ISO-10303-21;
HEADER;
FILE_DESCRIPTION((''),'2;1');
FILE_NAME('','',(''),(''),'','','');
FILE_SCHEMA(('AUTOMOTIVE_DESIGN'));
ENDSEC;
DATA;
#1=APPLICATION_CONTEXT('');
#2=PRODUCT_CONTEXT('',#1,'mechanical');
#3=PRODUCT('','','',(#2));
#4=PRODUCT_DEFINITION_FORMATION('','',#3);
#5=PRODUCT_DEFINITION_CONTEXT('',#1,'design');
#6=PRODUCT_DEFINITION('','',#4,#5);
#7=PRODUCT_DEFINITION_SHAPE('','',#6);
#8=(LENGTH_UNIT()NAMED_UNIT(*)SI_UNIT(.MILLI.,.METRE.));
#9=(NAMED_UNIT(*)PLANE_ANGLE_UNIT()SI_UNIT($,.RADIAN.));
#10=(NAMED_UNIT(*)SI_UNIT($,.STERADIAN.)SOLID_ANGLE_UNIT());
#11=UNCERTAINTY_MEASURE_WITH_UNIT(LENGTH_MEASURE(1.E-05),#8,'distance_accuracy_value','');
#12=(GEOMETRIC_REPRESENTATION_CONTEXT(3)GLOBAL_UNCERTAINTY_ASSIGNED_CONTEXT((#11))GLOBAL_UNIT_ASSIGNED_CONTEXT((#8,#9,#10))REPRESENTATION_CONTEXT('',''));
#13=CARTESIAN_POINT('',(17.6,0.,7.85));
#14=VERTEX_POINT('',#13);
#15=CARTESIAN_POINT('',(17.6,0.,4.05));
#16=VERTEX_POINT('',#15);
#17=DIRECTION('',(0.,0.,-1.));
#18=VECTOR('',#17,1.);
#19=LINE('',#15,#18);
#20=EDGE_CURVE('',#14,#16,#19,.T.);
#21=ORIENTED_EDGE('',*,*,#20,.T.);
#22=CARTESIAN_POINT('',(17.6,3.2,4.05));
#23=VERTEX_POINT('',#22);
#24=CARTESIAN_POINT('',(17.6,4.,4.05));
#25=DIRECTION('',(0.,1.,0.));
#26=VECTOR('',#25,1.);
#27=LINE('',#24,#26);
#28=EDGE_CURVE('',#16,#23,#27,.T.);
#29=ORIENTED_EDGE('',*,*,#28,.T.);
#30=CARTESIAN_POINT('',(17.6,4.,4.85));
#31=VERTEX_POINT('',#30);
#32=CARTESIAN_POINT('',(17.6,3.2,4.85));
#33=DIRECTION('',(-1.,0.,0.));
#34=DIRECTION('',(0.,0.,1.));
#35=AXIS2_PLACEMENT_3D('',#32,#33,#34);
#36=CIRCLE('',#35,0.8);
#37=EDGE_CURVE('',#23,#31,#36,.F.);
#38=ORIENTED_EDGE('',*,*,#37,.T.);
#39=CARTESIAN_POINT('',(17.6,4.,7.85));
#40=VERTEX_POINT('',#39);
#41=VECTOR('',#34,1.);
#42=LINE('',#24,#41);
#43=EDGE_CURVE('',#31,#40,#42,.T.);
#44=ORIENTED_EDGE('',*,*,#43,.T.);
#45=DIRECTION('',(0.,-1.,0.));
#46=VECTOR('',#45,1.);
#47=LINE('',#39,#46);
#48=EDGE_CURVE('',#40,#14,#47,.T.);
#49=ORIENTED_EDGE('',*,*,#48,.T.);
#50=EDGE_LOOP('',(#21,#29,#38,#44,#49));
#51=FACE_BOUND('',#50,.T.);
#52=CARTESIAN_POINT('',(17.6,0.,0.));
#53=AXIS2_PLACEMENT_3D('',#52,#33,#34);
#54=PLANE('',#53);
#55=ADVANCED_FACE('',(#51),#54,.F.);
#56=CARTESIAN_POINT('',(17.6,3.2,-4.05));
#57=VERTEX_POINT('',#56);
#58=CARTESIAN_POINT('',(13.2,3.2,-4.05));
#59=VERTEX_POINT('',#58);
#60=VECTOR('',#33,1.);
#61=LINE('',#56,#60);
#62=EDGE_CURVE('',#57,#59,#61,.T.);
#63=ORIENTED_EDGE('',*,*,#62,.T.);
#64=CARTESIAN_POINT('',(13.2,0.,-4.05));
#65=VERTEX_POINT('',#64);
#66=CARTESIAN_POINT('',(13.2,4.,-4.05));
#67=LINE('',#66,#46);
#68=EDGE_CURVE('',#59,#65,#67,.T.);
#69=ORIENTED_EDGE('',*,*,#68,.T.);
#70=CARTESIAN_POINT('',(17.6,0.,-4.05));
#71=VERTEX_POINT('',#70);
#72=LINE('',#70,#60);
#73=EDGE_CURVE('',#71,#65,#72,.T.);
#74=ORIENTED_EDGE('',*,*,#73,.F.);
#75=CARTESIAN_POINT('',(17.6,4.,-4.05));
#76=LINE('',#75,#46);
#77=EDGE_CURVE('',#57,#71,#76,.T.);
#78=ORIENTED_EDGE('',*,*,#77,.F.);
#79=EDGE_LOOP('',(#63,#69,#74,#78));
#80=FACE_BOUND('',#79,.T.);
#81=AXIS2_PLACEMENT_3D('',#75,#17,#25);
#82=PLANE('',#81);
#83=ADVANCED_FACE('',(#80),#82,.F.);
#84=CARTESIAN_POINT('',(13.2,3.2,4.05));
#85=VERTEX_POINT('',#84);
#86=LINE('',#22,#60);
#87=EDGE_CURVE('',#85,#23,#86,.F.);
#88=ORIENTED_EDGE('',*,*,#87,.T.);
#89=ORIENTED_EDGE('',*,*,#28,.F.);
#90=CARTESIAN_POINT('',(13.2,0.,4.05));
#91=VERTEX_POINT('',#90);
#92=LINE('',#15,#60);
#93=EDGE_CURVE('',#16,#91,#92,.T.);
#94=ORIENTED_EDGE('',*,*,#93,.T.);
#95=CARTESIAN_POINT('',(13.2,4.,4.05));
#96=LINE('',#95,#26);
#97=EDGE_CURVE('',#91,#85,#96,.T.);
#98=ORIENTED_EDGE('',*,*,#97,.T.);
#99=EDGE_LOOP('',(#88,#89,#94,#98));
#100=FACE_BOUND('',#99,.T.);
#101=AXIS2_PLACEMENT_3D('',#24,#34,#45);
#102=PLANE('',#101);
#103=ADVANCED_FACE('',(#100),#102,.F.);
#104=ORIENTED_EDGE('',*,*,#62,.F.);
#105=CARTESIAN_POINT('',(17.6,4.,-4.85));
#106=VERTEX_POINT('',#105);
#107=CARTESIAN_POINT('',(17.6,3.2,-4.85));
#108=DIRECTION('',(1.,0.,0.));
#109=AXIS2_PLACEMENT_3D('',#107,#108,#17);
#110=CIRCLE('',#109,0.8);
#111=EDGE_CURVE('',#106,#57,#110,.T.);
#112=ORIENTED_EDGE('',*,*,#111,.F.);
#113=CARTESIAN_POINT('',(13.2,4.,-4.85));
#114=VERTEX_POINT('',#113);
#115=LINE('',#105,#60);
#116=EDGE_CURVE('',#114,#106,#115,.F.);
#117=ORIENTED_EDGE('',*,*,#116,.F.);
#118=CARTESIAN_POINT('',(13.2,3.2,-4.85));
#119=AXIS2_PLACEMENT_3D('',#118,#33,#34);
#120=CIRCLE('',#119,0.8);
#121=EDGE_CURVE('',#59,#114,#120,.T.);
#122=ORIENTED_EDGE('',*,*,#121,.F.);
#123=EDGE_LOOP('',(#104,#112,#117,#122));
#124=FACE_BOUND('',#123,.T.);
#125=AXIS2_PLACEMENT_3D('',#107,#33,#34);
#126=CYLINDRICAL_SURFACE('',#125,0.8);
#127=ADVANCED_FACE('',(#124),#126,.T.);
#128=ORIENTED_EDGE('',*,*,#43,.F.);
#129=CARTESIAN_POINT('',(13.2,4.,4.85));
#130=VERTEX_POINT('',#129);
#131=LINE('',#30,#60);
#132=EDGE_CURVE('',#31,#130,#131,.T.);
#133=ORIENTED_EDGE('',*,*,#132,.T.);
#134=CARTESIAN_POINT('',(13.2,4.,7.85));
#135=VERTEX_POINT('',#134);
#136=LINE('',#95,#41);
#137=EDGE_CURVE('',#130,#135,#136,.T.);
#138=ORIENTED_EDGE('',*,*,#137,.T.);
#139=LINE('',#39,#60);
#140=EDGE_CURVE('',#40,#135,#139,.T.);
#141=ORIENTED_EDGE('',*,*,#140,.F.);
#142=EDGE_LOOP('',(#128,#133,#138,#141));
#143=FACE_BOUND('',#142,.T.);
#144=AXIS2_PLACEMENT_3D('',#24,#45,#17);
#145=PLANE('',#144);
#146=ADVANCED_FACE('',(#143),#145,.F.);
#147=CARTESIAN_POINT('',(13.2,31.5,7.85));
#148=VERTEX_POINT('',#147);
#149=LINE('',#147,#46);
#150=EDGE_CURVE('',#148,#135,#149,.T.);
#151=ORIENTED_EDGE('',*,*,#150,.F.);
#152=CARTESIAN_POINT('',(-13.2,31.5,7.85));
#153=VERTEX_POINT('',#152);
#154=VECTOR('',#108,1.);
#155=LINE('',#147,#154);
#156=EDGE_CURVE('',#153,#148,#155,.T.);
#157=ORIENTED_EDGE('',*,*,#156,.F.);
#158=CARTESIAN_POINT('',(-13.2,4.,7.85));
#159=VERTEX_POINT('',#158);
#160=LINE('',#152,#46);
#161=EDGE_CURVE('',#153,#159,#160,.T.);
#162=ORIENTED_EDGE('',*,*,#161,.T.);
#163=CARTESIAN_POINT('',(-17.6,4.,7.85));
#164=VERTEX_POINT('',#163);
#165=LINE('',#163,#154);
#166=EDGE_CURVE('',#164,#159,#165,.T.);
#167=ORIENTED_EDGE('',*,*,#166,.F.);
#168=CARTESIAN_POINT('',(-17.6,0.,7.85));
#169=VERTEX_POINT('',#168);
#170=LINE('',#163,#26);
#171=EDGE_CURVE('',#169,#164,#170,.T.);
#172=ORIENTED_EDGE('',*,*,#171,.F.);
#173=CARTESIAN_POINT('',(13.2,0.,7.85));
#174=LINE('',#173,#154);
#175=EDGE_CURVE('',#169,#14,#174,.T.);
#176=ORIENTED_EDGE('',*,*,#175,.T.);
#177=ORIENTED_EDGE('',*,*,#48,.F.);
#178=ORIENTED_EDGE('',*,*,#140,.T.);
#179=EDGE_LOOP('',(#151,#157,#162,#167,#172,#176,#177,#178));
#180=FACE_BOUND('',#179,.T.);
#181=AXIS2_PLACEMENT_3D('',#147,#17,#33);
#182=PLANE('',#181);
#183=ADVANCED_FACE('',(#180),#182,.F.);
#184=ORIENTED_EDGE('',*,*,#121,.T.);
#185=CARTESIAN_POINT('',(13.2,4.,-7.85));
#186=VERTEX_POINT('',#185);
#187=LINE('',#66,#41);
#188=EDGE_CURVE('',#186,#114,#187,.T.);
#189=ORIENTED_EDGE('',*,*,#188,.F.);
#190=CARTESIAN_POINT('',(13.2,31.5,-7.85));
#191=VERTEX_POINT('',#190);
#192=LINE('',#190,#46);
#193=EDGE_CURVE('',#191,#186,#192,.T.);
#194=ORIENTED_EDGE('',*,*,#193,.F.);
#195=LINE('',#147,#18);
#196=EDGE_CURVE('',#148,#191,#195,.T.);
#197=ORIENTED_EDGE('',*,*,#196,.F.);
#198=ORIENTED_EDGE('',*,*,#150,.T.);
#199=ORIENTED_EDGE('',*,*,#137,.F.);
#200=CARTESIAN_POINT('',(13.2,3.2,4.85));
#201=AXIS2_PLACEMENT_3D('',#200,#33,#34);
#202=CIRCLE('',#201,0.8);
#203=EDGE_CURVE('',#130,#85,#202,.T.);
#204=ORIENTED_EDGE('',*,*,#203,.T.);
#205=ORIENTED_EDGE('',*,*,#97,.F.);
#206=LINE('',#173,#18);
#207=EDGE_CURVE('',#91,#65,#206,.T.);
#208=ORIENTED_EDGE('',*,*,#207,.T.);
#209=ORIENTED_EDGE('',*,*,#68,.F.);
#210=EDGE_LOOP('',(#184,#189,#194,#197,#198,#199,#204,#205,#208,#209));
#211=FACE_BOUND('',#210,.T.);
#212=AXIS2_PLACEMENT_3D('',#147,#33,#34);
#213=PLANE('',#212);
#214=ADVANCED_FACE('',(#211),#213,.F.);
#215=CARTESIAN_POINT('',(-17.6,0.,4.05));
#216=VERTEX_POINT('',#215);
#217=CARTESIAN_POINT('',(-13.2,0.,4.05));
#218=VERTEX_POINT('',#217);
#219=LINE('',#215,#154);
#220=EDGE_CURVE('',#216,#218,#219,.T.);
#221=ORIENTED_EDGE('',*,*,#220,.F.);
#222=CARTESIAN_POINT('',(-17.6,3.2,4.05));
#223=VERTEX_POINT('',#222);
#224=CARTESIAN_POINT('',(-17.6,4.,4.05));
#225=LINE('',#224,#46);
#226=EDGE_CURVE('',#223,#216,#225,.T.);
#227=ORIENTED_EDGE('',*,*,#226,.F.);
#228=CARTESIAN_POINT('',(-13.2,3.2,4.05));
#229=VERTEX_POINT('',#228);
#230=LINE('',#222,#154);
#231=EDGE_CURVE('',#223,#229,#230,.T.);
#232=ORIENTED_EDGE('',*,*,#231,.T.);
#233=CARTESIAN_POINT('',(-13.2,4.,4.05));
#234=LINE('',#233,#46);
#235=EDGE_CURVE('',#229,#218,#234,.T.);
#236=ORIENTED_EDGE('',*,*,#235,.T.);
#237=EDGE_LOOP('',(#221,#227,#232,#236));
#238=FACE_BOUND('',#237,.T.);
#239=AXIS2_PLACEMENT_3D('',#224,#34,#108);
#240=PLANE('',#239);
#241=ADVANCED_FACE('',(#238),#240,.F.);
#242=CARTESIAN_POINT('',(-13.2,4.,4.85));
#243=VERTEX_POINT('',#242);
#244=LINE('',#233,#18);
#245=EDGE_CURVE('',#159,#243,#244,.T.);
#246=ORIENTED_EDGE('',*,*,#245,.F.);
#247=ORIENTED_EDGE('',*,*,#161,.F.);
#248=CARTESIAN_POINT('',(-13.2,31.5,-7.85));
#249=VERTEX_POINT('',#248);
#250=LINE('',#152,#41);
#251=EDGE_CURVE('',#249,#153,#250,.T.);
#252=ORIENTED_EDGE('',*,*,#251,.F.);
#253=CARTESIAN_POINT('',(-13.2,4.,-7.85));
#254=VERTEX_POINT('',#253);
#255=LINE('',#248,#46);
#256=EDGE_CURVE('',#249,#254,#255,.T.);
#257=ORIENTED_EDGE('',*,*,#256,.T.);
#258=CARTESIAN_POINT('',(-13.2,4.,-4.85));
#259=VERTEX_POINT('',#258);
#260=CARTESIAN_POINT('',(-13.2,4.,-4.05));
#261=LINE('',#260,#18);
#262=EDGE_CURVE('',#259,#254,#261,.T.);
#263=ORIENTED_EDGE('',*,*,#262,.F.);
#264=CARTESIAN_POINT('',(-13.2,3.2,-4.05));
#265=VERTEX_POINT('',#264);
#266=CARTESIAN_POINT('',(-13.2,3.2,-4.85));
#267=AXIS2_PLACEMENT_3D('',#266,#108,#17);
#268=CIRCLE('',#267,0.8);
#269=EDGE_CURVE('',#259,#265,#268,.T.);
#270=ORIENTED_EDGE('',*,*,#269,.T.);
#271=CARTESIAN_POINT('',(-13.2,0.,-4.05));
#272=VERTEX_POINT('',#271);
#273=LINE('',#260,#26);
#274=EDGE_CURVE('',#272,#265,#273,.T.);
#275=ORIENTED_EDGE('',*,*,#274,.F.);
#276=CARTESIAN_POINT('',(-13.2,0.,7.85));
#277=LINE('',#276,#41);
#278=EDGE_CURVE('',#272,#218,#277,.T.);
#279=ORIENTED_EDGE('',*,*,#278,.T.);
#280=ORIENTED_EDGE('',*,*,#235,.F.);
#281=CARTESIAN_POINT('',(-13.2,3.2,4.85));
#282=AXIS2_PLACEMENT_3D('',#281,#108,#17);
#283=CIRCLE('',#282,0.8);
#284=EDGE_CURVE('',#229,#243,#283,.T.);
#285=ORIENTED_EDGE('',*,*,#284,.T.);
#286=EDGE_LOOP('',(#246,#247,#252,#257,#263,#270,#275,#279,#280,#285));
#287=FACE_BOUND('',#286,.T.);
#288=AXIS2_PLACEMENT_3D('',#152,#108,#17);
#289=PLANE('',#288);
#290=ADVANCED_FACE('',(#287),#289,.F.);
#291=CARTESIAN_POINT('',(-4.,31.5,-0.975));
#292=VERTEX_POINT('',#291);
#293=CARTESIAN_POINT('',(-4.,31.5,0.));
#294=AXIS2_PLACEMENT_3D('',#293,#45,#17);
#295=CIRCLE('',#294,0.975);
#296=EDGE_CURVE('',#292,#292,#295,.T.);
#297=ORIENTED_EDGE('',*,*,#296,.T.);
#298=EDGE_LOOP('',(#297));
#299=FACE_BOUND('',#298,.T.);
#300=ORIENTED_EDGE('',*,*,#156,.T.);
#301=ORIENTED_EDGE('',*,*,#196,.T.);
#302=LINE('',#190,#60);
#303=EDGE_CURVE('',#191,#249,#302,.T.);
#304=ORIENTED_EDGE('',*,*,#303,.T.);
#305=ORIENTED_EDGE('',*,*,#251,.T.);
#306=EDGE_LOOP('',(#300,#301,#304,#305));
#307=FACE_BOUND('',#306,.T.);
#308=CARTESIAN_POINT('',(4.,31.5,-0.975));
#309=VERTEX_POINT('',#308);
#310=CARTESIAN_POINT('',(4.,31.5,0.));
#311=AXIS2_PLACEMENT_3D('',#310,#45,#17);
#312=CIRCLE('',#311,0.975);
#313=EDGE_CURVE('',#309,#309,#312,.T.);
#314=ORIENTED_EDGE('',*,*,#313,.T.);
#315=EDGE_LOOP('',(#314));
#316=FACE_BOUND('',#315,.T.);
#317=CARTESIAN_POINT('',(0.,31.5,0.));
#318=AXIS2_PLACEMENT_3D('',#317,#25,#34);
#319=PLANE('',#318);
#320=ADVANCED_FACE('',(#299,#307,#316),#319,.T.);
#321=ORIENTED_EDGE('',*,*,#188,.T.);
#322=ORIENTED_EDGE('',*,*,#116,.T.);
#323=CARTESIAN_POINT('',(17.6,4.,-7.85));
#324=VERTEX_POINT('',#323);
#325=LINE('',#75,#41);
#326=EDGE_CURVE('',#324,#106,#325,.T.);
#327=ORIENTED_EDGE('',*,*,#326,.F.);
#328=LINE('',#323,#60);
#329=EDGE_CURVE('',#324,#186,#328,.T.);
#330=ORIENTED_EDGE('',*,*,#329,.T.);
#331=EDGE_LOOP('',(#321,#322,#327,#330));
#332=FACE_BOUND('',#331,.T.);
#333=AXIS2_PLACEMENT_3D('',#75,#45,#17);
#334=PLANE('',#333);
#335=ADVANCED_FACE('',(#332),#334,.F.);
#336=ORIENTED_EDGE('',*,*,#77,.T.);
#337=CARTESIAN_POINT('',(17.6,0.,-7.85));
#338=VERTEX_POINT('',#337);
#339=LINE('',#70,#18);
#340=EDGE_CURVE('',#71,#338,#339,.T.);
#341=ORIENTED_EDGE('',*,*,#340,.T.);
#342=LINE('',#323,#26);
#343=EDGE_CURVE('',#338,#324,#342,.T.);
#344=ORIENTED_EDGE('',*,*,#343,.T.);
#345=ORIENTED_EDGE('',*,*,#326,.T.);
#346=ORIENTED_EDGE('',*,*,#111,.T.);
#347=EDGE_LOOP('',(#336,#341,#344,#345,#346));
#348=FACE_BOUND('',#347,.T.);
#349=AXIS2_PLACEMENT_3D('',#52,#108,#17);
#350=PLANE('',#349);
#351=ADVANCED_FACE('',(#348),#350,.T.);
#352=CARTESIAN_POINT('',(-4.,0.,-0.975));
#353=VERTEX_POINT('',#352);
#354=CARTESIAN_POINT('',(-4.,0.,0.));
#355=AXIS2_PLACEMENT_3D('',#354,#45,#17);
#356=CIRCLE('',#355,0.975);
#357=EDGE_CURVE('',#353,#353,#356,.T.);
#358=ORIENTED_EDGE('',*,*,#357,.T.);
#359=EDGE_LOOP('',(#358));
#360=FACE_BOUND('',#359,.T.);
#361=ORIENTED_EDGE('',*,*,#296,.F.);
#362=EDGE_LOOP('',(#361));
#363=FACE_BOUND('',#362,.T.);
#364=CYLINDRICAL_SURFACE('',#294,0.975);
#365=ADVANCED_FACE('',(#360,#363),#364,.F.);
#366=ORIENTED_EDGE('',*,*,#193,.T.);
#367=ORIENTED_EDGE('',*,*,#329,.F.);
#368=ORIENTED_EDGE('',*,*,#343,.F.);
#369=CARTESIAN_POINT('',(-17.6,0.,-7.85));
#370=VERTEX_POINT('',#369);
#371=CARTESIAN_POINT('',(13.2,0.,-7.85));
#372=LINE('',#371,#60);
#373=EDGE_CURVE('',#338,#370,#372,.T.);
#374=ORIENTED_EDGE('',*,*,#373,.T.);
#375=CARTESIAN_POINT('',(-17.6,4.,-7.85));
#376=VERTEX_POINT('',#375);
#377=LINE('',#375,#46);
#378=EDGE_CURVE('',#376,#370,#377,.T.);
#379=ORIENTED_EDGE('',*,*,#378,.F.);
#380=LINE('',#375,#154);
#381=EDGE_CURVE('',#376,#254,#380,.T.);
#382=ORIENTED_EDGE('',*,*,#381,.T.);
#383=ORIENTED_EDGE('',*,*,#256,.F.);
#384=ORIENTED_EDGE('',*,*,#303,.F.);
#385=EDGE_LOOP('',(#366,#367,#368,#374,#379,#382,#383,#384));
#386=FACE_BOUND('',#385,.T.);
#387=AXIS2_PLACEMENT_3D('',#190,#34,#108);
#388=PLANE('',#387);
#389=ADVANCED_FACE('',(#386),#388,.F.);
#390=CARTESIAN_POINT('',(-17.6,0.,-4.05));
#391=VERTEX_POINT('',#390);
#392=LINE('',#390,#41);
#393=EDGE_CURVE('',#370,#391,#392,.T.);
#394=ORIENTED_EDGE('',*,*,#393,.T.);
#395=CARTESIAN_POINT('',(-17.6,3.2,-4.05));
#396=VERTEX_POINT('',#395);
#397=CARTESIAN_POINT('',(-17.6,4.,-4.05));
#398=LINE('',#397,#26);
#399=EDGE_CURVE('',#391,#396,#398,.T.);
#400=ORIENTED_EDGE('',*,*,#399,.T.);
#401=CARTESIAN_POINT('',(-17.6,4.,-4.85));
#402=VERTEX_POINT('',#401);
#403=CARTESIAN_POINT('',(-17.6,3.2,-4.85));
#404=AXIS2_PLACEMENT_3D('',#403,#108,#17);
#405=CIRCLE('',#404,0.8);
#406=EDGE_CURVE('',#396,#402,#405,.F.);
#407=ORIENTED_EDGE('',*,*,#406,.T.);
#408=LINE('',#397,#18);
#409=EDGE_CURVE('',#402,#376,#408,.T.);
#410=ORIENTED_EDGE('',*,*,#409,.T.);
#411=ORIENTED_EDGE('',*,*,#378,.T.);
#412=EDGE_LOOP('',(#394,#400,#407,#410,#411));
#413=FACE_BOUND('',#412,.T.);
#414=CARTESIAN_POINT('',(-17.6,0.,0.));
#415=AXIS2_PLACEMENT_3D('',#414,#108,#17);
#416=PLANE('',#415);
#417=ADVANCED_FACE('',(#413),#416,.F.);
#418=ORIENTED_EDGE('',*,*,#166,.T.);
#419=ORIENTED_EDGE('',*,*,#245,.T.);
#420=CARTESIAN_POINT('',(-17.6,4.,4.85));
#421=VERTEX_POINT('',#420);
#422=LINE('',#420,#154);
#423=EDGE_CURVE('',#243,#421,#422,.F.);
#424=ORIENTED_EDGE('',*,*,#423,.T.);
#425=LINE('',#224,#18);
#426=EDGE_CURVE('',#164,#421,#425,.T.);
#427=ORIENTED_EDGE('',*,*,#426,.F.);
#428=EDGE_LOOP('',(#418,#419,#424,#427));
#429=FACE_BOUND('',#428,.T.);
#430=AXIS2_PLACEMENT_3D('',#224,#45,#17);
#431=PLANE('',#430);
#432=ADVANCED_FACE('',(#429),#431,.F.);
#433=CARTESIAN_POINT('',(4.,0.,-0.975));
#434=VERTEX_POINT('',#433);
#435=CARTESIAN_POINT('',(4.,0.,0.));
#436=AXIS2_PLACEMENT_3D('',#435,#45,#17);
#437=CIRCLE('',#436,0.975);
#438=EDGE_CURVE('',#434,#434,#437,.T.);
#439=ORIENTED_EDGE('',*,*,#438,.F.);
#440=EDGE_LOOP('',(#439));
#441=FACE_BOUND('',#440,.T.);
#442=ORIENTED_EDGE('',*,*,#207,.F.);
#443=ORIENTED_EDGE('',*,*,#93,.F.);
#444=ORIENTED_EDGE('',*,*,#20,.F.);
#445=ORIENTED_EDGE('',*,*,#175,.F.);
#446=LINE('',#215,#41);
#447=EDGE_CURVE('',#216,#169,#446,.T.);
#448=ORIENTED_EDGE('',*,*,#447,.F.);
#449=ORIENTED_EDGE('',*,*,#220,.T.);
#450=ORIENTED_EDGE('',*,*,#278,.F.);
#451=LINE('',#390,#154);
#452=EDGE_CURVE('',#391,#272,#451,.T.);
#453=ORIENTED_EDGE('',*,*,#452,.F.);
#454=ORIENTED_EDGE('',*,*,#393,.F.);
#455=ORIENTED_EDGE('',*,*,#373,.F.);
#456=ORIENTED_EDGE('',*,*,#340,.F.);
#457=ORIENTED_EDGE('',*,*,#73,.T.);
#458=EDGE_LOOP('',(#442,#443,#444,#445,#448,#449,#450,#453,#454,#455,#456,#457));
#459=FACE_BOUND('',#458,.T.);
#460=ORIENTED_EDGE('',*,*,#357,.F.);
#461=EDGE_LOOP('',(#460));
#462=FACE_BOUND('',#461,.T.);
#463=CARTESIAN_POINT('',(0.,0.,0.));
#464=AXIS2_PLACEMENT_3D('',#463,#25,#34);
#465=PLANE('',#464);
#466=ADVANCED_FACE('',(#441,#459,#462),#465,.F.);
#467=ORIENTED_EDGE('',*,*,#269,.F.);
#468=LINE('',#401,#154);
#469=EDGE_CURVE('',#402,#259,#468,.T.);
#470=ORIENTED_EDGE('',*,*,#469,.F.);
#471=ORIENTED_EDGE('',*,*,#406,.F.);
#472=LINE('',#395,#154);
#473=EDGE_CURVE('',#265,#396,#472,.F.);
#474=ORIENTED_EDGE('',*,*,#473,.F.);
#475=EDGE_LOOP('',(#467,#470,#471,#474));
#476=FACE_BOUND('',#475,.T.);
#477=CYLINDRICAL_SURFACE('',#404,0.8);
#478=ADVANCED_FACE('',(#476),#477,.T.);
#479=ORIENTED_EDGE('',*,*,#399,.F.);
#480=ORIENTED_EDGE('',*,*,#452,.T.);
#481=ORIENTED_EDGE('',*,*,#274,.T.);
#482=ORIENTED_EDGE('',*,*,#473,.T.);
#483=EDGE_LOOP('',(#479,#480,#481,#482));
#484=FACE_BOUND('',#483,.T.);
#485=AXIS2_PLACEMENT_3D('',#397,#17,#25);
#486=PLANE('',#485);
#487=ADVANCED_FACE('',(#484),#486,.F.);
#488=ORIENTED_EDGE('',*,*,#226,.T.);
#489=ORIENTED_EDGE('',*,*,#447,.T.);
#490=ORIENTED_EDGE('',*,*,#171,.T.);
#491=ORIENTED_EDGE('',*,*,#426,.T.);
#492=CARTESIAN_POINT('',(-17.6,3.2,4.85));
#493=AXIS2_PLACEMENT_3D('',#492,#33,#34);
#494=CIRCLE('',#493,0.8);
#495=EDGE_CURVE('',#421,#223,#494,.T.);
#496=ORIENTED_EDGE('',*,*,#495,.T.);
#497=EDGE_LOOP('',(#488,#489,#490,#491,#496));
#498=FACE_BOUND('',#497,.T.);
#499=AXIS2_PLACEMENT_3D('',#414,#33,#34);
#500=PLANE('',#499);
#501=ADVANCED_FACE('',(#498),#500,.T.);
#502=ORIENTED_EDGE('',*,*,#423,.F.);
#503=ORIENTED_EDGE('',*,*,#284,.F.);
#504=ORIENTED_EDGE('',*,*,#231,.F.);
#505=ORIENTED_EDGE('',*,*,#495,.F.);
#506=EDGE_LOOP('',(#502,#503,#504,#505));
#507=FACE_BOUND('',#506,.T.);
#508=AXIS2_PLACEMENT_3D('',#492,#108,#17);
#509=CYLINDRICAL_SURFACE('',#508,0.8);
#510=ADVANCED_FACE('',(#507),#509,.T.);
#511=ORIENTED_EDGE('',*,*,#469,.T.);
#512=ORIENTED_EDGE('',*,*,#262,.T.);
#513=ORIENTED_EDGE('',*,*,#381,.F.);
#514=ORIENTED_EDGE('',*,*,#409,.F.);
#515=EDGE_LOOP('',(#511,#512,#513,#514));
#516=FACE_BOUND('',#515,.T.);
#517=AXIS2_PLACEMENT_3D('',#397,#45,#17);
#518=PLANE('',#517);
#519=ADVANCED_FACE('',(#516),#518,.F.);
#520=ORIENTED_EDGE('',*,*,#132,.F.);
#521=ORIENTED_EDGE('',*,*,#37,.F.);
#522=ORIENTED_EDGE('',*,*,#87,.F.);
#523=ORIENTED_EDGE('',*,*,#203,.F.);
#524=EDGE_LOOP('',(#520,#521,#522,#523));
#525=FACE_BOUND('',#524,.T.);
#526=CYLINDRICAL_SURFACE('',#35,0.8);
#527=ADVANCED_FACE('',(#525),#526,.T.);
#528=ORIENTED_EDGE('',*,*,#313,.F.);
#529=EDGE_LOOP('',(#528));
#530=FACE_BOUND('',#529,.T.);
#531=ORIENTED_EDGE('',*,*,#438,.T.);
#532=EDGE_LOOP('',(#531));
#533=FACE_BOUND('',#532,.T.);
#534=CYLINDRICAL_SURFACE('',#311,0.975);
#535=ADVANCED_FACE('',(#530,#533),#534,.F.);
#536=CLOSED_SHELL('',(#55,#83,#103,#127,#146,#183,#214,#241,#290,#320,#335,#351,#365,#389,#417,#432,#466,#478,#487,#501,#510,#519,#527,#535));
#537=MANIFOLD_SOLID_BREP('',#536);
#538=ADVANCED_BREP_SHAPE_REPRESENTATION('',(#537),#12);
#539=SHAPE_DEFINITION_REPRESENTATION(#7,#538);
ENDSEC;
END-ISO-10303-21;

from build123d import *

# Parameters (mm, degrees)
SKETCH_1_W          = 26.4
SKETCH_1_H          = 15.7
EXTRUDE_1_DEPTH     = 31.5
SKETCH_2_W          = 3.8
SKETCH_2_H          = 4
EXTRUDE_2_DEPTH     = 4.4
SKETCH_3_W          = 3.8
SKETCH_3_H          = 4
EXTRUDE_3_DEPTH     = 4.4
SKETCH_4_R          = 0.975
CUT_EXTRUDE_1_DEPTH = 37.92739498
FILLET_1_R          = 0.8


with BuildPart() as part:
    # ｽｹｯﾁ1 → ﾎﾞｽ - 押し出し1 (new body)
    with BuildSketch(Plane(origin=(0, 0, 0), x_dir=(1, 0, 0), z_dir=(0, 1, 0))):
        Rectangle(SKETCH_1_W, SKETCH_1_H)
    extrude(amount=EXTRUDE_1_DEPTH)

    # ｽｹｯﾁ2 → ﾎﾞｽ - 押し出し2 (add)
    with BuildSketch(Plane(origin=(13.2, 0, 0), x_dir=(0, 0, -1), z_dir=(1, 0, 0))):
        with Locations((-5.95, 2)):
            Rectangle(SKETCH_2_W, SKETCH_2_H)
        with Locations((5.95, 2)):
            Rectangle(SKETCH_2_W, SKETCH_2_H)
    extrude(amount=EXTRUDE_2_DEPTH)

    # ｽｹｯﾁ3 → ﾎﾞｽ - 押し出し3 (add)
    with BuildSketch(Plane.ZY.offset(13.2)):
        with Locations((5.95, 2)):
            Rectangle(SKETCH_3_W, SKETCH_3_H)
        with Locations((-5.95, 2)):
            Rectangle(SKETCH_3_W, SKETCH_3_H)
    extrude(amount=EXTRUDE_3_DEPTH)

    # ｽｹｯﾁ4 → ｶｯﾄ - 押し出し1 (cut, through all)
    with BuildSketch(Plane.XZ):
        with Locations(Location((4, 0, 0), (0, 0, 270))):
            Circle(SKETCH_4_R)
        with Locations(Location((-4, 0, 0), (0, 0, 270))):
            Circle(SKETCH_4_R)
    extrude(amount=-CUT_EXTRUDE_1_DEPTH, mode=Mode.SUBTRACT)

    # ﾌｨﾚｯﾄ1
    fillet_1_edges = [part.edges().sort_by_distance(p)[0] for p in [
        (15.4, 4, 4.05),
        (15.4, 4, -4.05),
        (-15.4, 4, 4.05),
        (-15.4, 4, -4.05),
    ]]
    fillet(fillet_1_edges, radius=FILLET_1_R)


solid = part.part
